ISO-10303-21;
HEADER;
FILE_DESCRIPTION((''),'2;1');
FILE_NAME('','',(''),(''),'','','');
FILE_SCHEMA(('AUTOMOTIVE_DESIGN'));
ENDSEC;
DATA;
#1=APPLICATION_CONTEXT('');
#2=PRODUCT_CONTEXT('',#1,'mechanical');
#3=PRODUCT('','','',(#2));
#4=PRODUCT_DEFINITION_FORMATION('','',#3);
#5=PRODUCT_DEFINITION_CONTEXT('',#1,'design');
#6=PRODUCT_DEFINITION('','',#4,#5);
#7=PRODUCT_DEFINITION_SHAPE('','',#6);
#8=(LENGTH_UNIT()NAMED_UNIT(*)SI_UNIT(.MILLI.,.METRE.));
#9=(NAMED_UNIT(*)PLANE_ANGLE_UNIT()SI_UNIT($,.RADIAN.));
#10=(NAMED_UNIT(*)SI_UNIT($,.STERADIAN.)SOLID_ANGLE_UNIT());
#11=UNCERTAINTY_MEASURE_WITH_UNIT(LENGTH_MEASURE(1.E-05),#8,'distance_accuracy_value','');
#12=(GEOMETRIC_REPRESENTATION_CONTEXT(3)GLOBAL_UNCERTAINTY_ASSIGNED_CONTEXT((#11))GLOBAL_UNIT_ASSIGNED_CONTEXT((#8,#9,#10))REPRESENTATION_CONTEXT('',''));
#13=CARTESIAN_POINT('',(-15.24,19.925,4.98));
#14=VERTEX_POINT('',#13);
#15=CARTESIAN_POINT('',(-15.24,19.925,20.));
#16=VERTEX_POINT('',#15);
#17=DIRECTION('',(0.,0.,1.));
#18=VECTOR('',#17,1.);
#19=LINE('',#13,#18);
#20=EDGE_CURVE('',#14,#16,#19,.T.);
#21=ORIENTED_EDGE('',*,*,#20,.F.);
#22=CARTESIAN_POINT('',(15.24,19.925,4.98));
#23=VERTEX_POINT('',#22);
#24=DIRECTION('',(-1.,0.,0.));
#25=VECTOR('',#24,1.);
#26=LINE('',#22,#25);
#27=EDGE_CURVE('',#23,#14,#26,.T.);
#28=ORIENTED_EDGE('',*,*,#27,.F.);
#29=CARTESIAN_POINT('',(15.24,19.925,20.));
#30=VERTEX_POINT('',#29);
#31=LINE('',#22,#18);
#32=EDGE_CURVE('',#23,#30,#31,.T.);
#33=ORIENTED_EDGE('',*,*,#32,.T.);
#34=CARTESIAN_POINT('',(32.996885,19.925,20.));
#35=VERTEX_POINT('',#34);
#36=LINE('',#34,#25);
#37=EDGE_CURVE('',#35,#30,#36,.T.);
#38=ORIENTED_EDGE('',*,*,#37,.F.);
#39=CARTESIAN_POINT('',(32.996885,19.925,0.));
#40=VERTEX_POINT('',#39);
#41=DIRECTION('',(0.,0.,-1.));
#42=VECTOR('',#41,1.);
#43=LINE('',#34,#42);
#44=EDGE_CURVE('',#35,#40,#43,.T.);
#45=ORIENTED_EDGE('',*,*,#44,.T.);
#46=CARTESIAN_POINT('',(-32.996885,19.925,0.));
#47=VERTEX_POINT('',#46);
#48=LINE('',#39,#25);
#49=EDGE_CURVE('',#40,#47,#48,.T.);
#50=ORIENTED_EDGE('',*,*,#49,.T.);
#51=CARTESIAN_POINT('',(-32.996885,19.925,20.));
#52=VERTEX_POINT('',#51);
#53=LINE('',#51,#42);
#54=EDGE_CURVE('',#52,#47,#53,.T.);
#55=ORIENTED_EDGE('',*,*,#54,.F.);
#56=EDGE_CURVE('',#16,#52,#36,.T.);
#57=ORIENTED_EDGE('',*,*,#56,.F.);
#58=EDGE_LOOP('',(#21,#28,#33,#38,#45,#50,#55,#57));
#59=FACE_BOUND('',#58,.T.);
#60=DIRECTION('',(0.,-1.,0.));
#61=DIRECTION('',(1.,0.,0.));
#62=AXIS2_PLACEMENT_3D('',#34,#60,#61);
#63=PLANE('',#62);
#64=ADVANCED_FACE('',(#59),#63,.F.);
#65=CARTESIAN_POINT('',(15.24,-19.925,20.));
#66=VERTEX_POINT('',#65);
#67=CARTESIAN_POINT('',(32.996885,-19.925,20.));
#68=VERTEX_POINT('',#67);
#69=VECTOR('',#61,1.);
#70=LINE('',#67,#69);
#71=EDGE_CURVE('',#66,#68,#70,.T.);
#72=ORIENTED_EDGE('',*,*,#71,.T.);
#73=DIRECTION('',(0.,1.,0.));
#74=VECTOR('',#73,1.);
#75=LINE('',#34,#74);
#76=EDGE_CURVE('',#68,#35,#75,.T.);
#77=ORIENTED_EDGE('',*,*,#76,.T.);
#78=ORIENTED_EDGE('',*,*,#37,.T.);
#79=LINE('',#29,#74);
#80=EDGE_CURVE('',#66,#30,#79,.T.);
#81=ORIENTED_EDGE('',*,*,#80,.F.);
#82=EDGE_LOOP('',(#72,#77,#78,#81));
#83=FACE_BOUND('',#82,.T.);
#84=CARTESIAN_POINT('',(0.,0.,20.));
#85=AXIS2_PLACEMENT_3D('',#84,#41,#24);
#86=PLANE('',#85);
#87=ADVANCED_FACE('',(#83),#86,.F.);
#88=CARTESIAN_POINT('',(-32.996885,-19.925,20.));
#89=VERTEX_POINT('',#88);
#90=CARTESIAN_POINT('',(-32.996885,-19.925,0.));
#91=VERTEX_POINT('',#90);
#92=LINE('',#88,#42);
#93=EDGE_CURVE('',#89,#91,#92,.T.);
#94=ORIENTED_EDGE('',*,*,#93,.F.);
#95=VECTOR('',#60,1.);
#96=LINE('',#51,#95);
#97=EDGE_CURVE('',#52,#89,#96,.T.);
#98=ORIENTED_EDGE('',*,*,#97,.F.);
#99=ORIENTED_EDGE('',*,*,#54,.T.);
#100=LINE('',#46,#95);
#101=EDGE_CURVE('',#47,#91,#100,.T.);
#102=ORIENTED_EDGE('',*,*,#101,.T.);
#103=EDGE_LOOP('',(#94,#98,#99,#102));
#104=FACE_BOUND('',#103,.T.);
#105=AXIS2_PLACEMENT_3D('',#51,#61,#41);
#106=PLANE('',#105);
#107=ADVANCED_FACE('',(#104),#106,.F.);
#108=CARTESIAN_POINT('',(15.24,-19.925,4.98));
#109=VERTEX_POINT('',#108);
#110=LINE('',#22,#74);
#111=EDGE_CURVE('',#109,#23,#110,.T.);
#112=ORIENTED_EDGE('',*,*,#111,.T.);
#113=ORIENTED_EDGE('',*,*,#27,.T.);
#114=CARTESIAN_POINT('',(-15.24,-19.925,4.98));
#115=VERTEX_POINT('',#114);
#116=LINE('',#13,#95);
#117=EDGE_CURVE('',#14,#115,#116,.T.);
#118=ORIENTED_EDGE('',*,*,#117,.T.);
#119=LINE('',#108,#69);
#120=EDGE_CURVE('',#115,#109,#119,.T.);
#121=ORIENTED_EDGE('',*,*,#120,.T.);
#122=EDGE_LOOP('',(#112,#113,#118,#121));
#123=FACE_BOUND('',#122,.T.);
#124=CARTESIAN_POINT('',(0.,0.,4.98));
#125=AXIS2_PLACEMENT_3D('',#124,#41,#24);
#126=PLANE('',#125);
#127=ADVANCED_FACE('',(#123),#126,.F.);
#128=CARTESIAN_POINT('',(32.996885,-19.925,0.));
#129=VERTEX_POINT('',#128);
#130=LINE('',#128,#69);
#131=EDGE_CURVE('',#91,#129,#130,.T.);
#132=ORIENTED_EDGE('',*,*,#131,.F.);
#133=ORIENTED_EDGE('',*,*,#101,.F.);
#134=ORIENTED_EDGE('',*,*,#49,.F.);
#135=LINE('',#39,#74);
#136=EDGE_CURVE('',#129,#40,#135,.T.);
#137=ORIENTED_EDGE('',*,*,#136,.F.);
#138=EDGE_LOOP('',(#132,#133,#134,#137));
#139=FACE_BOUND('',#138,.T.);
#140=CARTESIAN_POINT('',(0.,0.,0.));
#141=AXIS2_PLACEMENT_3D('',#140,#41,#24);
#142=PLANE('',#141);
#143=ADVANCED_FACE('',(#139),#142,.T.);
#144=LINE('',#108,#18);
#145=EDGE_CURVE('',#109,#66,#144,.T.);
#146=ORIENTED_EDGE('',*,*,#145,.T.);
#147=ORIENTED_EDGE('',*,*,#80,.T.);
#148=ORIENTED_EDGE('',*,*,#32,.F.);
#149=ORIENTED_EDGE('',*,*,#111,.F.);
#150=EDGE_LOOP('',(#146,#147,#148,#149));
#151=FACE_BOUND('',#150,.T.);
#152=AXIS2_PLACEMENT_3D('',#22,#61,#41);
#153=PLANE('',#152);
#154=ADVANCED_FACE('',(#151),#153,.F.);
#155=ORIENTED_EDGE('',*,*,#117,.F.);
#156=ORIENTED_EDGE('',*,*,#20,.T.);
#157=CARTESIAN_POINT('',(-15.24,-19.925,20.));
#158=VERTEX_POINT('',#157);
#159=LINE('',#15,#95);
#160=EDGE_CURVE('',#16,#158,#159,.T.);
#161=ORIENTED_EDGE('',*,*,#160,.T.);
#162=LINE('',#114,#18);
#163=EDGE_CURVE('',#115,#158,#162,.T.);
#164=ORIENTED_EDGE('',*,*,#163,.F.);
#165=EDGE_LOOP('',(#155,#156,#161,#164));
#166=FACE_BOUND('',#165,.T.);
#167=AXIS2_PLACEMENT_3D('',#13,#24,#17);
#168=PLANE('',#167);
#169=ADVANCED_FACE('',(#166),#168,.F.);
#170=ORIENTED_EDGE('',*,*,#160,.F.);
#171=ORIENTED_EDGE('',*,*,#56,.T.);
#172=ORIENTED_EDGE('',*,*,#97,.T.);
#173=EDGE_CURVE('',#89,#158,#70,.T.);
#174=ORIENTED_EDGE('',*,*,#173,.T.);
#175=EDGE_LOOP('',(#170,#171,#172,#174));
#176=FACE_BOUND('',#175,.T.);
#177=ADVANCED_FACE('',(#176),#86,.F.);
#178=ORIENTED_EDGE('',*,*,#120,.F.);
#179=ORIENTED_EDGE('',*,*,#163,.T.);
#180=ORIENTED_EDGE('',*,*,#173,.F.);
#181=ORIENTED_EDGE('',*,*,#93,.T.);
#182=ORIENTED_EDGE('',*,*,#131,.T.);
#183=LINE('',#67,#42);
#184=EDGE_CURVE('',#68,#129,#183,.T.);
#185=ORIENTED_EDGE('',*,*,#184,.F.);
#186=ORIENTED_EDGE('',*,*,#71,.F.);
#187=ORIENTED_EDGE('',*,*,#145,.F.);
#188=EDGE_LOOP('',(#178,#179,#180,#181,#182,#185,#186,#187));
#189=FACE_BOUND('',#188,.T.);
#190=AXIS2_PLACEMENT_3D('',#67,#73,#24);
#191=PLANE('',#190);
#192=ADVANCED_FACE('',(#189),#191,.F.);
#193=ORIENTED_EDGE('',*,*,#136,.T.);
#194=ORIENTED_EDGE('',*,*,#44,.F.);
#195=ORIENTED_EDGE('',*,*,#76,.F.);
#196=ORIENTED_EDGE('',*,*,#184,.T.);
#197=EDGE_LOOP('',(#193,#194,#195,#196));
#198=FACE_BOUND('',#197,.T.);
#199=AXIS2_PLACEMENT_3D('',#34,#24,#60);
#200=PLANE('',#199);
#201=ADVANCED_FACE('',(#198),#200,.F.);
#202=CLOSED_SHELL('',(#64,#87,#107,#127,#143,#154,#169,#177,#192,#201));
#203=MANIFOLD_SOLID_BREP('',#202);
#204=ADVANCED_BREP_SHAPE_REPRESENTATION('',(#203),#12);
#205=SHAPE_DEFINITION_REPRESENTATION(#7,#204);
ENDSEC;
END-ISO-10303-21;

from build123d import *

# Parameters (mm, degrees)
SKETCH1_W           = 65.99377092
SKETCH1_H           = 39.85
BOSS_EXTRUDE1_DEPTH = 20
SKETCH2_W           = 30.48
SKETCH2_H           = 39.85
CUT_EXTRUDE1_DEPTH  = 15.02


with BuildPart() as part:
    # Sketch1 → Boss-Extrude1 (new body)
    with BuildSketch(Plane.XY):
        Rectangle(SKETCH1_W, SKETCH1_H)
    extrude(amount=BOSS_EXTRUDE1_DEPTH)

    # Sketch2 → Cut-Extrude1 (cut)
    with BuildSketch(Plane.XY.offset(20)):
        Rectangle(SKETCH2_W, SKETCH2_H)
    extrude(amount=-CUT_EXTRUDE1_DEPTH, mode=Mode.SUBTRACT)


solid = part.part
